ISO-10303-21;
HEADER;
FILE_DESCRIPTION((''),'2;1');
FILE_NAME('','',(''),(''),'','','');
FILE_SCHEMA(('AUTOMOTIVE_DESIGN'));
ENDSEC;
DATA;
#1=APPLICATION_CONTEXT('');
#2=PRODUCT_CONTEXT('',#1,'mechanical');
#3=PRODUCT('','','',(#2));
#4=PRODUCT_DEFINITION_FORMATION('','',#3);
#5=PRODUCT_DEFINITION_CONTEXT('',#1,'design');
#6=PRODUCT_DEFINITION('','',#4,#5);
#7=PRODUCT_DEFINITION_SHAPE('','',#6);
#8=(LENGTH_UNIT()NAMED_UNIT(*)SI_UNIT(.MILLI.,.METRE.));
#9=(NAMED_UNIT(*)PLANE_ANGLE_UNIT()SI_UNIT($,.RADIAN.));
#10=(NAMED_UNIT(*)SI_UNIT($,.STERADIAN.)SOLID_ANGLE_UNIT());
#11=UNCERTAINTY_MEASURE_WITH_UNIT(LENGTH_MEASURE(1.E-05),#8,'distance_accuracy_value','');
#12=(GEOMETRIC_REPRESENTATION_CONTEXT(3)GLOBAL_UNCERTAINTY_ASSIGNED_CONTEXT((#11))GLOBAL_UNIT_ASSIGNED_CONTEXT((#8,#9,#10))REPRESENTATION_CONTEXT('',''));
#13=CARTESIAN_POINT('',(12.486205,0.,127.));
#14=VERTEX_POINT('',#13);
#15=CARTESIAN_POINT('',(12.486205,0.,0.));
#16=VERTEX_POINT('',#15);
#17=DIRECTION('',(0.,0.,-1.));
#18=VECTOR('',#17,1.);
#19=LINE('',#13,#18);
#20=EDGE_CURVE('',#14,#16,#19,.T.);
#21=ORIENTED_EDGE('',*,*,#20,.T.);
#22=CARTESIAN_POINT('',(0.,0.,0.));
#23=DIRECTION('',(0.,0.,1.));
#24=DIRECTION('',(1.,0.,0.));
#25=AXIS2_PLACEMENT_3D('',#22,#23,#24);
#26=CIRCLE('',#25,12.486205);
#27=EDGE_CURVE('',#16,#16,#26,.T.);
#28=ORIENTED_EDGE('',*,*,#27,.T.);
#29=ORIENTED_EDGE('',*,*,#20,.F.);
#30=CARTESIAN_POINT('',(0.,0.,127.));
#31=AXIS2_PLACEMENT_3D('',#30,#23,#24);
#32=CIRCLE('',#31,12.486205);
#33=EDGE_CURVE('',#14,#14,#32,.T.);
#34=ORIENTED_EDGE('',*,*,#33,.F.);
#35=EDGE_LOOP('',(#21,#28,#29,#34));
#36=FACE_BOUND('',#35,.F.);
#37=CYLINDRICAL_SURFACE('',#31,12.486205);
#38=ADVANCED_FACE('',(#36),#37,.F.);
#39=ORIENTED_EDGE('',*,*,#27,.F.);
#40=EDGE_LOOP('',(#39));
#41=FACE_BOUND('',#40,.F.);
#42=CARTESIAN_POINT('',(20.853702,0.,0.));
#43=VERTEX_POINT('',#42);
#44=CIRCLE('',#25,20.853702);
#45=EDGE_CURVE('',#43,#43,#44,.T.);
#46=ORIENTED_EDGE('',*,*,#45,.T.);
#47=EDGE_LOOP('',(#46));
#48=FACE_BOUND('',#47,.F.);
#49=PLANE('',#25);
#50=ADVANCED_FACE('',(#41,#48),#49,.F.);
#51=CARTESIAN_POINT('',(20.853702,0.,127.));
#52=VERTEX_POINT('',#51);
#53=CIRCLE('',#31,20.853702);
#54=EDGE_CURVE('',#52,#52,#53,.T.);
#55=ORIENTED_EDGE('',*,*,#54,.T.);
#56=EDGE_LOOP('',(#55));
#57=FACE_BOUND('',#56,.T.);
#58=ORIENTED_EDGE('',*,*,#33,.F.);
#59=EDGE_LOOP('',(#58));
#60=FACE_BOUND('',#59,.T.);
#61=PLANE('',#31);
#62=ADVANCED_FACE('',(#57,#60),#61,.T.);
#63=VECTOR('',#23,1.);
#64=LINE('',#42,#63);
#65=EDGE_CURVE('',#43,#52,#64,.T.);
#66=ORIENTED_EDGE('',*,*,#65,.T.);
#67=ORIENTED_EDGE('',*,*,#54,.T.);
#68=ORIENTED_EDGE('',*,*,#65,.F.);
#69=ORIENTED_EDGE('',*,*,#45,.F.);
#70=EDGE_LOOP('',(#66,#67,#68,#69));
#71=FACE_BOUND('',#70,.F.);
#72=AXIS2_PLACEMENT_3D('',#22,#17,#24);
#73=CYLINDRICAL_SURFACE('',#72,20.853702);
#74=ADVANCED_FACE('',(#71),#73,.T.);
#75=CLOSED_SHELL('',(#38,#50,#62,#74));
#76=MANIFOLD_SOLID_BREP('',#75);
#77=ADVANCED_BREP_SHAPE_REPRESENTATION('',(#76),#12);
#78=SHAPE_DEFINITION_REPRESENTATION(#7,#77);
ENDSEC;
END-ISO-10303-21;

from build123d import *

# Parameters (mm, degrees)
F0_R     = 20.853702
F1_DEPTH = 127
F2_R     = 9.377492
F3_DEPTH = 127
F4_R     = 12.486205
F5_DEPTH = 127


with BuildPart() as f1:
    # F0 (on Top) → F1 (new body)
    with BuildSketch(Plane.XY):
        Circle(F0_R)
    extrude(amount=F1_DEPTH)

    # F2 (on Top) → F3 (cut)
    with BuildSketch(Plane.XY):
        Circle(F2_R)
    extrude(amount=-F3_DEPTH, mode=Mode.SUBTRACT)

    # F4 (on face) → F5 (cut)
    with BuildSketch(Plane.XY.offset(127)):
        Circle(F4_R)
    extrude(amount=-F5_DEPTH, mode=Mode.SUBTRACT)


solid = f1.part
